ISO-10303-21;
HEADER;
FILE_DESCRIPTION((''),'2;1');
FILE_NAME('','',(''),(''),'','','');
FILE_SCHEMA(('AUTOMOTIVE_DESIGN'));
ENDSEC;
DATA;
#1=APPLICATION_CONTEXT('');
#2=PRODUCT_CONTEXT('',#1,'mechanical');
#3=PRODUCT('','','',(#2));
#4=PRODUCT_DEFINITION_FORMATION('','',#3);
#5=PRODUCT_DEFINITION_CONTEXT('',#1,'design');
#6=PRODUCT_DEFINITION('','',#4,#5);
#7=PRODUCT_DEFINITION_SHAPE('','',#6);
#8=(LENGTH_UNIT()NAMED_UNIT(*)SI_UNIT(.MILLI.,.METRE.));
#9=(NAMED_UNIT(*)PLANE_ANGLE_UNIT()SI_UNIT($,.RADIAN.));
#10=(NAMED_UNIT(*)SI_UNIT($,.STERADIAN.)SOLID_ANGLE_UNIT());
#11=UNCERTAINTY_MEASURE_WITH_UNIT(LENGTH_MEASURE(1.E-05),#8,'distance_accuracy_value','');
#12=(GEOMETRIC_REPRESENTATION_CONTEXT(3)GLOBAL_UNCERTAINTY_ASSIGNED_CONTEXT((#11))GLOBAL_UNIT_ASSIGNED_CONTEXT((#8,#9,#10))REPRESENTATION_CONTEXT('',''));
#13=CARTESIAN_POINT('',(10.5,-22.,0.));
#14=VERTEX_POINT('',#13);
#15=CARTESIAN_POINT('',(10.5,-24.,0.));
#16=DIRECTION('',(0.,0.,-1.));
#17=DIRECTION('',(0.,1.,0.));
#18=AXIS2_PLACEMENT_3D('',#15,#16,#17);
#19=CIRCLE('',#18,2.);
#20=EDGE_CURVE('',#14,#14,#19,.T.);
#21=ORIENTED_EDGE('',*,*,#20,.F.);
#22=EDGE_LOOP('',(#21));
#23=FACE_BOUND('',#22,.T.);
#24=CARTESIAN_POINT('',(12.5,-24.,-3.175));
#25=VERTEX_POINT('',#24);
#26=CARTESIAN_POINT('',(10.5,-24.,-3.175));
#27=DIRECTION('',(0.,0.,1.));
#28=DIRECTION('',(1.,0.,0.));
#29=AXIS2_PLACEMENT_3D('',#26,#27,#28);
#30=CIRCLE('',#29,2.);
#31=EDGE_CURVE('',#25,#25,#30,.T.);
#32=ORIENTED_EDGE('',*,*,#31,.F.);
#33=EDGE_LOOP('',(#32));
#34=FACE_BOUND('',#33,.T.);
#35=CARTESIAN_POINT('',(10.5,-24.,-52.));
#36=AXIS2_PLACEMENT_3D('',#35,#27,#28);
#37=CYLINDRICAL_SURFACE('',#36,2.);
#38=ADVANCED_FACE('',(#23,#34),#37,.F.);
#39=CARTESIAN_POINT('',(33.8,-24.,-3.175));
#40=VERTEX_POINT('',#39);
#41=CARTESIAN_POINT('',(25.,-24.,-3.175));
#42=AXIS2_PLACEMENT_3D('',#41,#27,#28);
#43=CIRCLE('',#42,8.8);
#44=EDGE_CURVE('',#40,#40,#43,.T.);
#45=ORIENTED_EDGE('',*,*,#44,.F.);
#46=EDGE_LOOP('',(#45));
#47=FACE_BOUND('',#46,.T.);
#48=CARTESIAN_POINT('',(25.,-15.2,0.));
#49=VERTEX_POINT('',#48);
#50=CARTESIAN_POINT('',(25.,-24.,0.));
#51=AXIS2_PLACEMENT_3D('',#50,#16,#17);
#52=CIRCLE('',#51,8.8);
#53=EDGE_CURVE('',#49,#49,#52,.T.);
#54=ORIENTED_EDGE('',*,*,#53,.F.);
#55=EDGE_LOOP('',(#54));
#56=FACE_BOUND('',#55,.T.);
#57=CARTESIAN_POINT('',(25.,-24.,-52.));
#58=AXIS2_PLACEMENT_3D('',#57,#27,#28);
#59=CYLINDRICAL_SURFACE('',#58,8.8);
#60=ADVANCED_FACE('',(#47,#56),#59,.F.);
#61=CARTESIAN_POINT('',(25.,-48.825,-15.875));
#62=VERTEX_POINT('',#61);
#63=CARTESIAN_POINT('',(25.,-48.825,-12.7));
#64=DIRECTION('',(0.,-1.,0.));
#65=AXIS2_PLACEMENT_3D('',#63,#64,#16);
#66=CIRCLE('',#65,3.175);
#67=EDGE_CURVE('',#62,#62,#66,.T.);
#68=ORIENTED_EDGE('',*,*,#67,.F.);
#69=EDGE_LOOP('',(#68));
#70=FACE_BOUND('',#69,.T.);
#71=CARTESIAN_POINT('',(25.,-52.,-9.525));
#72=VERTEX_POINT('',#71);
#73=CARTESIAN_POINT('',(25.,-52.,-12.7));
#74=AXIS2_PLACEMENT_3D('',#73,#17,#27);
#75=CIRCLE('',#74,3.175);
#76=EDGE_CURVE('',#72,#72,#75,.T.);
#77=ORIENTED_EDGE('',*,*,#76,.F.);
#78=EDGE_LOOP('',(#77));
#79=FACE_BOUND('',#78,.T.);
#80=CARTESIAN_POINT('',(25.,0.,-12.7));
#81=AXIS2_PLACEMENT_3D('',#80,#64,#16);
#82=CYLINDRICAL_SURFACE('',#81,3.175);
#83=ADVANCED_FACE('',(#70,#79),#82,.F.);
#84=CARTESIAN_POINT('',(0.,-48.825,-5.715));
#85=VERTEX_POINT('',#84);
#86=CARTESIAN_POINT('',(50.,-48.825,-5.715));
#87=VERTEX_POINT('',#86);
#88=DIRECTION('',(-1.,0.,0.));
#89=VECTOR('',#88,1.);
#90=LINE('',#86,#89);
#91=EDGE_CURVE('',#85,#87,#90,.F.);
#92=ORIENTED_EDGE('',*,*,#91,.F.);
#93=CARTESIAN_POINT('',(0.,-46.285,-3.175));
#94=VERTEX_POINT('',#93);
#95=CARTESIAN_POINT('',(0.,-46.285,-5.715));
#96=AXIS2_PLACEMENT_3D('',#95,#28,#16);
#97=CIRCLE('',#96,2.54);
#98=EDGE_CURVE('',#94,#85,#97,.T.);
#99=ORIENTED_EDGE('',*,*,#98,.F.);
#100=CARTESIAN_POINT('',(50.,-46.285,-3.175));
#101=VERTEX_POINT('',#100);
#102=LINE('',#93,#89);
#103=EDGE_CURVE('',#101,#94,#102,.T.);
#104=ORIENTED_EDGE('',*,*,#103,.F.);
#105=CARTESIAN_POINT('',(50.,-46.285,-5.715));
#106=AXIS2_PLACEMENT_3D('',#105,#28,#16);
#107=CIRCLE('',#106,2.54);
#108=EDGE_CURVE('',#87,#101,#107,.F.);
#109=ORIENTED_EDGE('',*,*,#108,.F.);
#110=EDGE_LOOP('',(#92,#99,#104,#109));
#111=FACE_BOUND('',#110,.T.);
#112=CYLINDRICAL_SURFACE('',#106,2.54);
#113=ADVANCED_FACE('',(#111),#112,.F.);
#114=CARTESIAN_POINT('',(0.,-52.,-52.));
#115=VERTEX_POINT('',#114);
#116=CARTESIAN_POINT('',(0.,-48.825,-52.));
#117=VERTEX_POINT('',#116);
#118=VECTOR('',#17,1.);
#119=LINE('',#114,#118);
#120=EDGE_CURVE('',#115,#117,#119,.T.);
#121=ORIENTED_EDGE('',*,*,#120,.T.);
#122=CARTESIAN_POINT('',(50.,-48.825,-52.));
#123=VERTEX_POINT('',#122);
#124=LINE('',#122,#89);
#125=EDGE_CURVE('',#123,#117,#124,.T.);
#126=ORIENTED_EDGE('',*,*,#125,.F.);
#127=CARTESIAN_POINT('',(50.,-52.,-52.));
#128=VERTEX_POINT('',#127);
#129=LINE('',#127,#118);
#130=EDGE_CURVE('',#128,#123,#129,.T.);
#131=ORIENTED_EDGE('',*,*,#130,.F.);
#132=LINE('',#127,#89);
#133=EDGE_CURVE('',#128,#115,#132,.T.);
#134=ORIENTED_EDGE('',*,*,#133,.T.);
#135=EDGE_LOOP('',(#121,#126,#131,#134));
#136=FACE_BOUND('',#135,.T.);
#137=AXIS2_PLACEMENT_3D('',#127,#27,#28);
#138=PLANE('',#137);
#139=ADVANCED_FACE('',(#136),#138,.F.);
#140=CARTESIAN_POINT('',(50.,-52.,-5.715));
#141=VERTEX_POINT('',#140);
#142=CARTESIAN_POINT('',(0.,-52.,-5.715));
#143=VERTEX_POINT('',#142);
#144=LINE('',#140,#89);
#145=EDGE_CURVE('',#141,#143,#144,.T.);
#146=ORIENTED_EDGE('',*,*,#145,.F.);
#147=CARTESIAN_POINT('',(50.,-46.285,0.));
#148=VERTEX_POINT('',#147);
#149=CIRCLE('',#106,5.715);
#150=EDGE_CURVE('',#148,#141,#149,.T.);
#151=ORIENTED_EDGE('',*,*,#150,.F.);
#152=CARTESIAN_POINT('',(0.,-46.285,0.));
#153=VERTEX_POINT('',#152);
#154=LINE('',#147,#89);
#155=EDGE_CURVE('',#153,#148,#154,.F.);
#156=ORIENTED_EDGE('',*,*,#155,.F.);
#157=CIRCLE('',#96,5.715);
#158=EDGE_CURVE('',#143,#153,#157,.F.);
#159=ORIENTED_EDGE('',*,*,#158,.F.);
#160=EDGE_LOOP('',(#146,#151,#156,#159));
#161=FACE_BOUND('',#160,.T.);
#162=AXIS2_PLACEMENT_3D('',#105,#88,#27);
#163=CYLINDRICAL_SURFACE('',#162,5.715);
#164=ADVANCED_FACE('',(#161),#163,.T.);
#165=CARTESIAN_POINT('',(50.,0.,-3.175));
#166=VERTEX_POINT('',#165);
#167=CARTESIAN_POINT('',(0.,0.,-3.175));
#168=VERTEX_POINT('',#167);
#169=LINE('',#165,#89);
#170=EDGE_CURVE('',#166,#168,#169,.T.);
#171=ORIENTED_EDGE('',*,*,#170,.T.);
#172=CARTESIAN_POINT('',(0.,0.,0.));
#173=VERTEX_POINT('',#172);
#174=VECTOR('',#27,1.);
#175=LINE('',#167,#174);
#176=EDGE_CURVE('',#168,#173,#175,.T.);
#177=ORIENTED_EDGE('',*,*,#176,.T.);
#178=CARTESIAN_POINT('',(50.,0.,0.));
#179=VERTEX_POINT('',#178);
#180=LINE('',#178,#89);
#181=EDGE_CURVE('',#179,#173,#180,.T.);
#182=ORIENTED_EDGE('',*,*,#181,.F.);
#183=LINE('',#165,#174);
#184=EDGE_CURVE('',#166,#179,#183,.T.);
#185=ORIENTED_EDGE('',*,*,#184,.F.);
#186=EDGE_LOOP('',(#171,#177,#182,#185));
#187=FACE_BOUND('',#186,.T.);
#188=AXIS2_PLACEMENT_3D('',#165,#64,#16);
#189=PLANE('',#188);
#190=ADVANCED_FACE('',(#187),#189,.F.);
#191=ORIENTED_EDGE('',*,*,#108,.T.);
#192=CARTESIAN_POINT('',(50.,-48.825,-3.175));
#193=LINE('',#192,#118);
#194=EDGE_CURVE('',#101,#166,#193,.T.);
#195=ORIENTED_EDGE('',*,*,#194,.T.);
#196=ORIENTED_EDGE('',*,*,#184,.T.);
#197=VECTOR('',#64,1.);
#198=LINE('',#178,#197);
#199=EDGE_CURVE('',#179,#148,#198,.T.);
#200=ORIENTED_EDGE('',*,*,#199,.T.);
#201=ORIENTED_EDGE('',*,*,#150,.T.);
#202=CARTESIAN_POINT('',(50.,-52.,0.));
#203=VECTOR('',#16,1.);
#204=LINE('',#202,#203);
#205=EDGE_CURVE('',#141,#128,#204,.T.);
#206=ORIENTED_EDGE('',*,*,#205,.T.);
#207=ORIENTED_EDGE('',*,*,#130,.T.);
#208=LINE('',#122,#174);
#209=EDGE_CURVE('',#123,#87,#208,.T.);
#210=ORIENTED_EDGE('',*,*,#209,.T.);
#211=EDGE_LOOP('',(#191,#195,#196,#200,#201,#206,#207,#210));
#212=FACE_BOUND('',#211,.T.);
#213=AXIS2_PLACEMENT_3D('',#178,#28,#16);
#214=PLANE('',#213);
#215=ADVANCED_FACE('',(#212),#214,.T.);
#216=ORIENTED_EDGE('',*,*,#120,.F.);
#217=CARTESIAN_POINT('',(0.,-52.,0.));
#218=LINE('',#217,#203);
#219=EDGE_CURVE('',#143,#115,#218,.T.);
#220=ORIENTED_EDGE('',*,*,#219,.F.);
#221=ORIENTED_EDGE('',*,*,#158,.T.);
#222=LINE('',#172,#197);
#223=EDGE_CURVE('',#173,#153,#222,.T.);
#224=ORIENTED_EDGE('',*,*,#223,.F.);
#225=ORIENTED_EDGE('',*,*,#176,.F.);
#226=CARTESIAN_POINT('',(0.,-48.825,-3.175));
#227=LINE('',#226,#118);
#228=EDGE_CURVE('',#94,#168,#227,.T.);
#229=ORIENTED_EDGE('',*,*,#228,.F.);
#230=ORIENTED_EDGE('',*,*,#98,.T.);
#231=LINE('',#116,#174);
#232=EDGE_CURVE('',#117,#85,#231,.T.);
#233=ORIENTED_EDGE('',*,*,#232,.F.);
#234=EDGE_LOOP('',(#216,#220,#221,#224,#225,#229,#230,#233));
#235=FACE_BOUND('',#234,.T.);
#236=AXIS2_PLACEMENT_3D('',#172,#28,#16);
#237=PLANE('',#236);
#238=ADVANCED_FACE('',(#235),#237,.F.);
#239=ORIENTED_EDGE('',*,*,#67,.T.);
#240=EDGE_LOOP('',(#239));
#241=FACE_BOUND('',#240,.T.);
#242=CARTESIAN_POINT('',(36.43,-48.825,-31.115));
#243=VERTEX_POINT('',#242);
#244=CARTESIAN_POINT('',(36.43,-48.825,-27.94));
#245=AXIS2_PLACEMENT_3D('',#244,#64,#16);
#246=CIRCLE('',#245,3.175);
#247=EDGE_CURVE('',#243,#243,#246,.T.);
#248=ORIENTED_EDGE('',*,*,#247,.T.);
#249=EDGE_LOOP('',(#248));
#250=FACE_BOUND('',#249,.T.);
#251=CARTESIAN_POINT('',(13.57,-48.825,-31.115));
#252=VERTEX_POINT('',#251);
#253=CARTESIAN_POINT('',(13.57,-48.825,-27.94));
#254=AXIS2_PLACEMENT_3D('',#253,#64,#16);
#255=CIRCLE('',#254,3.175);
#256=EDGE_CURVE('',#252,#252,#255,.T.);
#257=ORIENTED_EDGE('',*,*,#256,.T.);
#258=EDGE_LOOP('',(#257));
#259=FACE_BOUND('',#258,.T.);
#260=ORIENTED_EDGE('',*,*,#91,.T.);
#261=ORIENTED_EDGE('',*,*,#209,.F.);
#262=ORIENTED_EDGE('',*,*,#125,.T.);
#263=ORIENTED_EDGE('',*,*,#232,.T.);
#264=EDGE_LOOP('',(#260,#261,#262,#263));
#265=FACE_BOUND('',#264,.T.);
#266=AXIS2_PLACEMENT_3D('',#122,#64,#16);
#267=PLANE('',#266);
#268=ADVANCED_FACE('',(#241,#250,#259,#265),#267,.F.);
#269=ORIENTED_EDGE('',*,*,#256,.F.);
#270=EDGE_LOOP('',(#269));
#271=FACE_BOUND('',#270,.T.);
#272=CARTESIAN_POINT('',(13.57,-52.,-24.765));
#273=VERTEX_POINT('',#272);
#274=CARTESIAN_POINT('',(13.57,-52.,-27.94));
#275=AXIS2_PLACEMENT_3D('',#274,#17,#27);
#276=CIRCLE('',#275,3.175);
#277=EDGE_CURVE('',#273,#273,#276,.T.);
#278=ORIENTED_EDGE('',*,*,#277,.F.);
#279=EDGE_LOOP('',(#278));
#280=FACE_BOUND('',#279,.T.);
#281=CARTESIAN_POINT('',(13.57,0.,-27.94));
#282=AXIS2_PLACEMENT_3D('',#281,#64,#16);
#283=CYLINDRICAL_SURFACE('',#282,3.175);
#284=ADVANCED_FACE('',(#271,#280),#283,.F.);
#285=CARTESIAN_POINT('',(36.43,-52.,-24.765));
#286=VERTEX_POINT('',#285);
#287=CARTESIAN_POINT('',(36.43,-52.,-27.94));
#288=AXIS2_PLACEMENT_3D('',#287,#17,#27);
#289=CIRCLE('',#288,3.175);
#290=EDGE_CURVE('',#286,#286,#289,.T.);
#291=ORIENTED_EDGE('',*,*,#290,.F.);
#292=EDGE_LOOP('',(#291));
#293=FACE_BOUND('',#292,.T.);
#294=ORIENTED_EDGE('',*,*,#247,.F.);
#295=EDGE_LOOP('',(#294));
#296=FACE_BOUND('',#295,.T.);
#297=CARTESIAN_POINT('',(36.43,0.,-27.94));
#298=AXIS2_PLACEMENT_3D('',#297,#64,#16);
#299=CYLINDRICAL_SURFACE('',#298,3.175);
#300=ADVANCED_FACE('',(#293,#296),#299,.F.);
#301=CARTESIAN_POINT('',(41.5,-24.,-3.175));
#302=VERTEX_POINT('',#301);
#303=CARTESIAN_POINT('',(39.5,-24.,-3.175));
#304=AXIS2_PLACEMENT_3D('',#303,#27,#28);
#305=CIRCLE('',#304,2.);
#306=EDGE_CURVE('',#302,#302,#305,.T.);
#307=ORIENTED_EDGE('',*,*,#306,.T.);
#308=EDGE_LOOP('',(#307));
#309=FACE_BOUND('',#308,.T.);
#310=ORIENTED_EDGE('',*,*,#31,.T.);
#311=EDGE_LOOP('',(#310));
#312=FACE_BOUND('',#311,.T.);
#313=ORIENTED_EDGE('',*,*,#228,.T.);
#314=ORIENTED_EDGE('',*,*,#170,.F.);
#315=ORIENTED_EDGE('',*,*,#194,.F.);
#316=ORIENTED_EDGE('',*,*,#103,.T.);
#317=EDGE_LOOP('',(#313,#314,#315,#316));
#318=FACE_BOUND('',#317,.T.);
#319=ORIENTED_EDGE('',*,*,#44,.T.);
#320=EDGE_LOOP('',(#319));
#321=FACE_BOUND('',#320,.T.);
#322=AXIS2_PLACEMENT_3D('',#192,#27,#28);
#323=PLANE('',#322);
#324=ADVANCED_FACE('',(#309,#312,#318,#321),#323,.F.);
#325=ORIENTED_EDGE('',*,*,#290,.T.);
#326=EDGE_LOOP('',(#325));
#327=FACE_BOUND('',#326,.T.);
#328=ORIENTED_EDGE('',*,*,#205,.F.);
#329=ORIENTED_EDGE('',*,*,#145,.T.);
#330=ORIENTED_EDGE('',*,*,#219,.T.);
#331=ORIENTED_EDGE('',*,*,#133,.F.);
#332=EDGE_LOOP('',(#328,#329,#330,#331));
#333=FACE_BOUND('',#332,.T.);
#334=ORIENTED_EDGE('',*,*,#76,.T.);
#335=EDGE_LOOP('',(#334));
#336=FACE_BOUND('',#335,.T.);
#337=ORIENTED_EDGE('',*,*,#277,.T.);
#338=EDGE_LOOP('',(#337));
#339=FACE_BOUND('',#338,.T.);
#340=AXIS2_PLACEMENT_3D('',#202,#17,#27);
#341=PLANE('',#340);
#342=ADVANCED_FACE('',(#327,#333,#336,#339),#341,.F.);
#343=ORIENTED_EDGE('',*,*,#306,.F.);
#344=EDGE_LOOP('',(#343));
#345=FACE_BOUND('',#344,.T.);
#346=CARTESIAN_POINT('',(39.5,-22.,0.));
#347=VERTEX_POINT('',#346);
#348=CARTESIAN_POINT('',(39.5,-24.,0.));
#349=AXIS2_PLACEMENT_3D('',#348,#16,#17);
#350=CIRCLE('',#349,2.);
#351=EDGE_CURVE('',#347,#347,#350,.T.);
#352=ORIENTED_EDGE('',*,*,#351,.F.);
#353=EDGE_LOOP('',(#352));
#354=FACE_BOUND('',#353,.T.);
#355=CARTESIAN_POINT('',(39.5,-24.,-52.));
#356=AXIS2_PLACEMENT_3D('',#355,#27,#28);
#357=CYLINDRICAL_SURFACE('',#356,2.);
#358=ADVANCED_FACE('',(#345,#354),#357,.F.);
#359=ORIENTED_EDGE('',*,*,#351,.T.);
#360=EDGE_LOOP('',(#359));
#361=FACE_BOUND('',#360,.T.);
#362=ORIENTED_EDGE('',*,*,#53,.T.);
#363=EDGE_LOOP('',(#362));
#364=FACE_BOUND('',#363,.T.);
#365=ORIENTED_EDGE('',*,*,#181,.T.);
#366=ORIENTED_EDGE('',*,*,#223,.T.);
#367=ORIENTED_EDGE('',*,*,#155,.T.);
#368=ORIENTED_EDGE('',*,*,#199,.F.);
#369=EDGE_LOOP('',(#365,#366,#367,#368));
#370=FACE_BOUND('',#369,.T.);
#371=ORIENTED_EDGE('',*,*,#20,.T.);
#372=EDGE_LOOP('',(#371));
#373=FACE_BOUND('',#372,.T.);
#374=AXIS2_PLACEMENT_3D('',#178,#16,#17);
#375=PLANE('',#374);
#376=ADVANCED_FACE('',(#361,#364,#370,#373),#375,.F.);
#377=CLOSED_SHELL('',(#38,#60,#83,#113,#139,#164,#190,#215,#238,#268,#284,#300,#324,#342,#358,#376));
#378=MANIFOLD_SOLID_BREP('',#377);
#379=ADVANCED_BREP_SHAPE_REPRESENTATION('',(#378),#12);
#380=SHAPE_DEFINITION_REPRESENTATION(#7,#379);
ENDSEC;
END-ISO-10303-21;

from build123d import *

# Parameters (mm, degrees)
BOSS_EXTRUDE1_DEPTH     = 50
FILLET1_R               = 2.54
FILLET2_R               = 5.715
SKETCH2_R               = 8.8
SKETCH2_R_2             = 2
CUT_EXTRUDE1_DEPTH      = 1
CUT_EXTRUDE1_DEPTH_BACK = 53
SKETCH4_R               = 3.175
CUT_EXTRUDE2_DEPTH      = 1
CUT_EXTRUDE2_DEPTH_BACK = 53


with BuildPart() as part:
    # Sketch1 → Boss-Extrude1 (new body)
    with BuildSketch(Plane(origin=(0, 0, 0), x_dir=(0, 0, -1), z_dir=(1, 0, 0))):
        Polygon((0, 0), (0, -52), (52, -52), (52, -48.825), (3.175, -48.825), (3.175, 0), align=None)
    extrude(amount=BOSS_EXTRUDE1_DEPTH)

    # Fillet1
    fillet1_edges = [part.edges().sort_by_distance(p)[0] for p in [
        (25, -48.825, -3.175),
    ]]
    fillet(fillet1_edges, radius=FILLET1_R)

    # Fillet2
    fillet2_edges = [part.edges().sort_by_distance(p)[0] for p in [
        (25, -52, 0),
    ]]
    fillet(fillet2_edges, radius=FILLET2_R)

    # Sketch2 → Cut-Extrude1 (cut, two sides)
    with BuildSketch(Plane.XY) as cut_extrude1_sk:
        with Locations((25, -24)):
            Circle(SKETCH2_R)
        with Locations((10.5, -24)):
            Circle(SKETCH2_R_2)
        with Locations((39.5, -24)):
            Circle(SKETCH2_R_2)
    extrude(amount=CUT_EXTRUDE1_DEPTH, mode=Mode.SUBTRACT)
    extrude(cut_extrude1_sk.sketch, amount=-CUT_EXTRUDE1_DEPTH_BACK, mode=Mode.SUBTRACT)

    # Sketch4 → Cut-Extrude2 (cut, two sides)
    with BuildSketch(Plane.XZ.offset(52)) as cut_extrude2_sk:
        with Locations((13.57, -27.94)):
            Circle(SKETCH4_R)
        with Locations((36.43, -27.94)):
            Circle(SKETCH4_R)
        with Locations((25, -12.7)):
            Circle(SKETCH4_R)
    extrude(amount=CUT_EXTRUDE2_DEPTH, mode=Mode.SUBTRACT)
    extrude(cut_extrude2_sk.sketch, amount=-CUT_EXTRUDE2_DEPTH_BACK, mode=Mode.SUBTRACT)


solid = part.part
